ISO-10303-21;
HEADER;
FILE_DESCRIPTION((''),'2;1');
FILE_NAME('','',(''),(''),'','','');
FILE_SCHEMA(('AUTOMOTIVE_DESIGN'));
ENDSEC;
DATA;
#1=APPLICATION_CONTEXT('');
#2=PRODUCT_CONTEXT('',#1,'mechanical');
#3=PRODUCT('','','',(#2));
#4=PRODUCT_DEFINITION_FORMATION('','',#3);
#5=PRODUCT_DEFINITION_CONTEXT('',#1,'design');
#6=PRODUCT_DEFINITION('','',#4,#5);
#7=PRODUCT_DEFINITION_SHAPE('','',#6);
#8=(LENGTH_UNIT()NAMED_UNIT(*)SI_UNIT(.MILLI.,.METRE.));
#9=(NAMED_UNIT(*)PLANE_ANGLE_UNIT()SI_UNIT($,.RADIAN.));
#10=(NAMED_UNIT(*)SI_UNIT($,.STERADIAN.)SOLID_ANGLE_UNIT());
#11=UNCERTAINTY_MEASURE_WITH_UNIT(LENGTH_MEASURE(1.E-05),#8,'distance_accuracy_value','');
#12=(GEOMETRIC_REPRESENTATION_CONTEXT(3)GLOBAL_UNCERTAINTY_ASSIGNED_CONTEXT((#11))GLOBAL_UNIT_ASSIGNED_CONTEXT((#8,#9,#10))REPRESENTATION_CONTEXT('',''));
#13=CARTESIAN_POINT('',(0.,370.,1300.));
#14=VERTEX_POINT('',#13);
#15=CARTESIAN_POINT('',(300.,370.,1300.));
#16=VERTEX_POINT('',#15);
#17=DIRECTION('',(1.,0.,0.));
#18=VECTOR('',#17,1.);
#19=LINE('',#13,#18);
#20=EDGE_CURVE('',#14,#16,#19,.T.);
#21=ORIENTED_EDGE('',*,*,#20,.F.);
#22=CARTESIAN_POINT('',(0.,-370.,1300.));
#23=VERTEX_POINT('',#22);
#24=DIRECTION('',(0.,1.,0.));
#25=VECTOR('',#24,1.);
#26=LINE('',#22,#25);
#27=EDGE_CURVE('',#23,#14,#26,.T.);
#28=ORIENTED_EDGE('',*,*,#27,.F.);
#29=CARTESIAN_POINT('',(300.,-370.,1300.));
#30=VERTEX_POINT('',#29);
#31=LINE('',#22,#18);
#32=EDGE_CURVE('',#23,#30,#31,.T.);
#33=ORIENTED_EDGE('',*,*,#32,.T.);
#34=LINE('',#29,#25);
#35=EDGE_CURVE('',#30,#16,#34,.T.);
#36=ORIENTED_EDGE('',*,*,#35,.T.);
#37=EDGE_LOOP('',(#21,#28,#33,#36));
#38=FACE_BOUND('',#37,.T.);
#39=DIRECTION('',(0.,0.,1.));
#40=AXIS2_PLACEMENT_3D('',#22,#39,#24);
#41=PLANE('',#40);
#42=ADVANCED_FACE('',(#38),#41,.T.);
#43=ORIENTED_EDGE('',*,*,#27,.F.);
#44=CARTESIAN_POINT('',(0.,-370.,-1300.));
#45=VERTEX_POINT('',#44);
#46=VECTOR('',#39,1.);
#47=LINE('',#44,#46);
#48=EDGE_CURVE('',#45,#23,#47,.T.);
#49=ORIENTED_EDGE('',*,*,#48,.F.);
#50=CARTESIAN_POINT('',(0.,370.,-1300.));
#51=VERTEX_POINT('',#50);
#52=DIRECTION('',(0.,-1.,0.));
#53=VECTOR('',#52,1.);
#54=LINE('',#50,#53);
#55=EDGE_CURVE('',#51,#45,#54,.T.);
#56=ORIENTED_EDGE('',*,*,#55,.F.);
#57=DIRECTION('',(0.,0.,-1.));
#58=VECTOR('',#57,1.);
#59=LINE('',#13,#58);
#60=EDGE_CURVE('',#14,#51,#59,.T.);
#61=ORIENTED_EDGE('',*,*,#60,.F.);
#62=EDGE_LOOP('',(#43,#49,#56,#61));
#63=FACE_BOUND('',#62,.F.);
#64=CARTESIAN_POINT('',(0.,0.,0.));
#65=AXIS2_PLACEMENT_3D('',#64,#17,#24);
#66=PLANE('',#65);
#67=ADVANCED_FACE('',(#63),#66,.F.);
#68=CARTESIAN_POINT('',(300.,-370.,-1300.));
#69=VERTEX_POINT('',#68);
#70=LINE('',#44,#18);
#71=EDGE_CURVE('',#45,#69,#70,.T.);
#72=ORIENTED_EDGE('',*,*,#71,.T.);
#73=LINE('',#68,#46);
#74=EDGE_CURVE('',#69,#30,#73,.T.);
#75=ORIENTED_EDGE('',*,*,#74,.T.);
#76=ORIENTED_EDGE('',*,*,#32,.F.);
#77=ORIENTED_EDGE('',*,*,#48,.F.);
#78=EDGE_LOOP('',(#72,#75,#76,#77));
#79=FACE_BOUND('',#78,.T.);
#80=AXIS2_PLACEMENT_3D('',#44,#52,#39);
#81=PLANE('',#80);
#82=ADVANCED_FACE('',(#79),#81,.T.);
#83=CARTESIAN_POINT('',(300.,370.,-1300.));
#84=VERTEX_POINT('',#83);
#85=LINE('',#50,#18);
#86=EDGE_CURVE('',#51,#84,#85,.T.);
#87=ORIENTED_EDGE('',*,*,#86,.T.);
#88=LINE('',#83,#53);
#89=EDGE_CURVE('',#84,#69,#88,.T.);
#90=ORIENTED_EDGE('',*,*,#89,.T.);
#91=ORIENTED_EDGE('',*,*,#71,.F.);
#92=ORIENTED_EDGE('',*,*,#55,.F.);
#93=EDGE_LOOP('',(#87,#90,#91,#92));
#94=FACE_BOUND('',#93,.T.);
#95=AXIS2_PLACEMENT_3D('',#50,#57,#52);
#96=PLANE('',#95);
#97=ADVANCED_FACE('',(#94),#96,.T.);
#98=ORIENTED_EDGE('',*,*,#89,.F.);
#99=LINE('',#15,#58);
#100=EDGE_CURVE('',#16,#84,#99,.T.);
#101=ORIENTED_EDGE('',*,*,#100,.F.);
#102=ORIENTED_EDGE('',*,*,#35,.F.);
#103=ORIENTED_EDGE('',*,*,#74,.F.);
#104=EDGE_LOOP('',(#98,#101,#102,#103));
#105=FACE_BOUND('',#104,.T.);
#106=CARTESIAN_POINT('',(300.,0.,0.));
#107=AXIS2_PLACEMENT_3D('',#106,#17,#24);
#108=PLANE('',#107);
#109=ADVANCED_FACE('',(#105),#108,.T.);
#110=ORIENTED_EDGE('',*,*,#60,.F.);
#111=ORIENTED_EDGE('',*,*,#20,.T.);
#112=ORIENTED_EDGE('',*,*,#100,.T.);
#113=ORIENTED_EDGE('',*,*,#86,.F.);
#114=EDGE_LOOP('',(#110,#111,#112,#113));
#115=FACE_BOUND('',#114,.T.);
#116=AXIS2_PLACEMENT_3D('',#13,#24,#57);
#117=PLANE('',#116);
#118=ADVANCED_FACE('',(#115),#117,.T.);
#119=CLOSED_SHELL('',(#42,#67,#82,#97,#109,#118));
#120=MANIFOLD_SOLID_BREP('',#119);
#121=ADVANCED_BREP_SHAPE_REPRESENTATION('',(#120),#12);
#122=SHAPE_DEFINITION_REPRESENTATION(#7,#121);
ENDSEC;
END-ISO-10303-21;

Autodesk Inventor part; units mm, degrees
ref_plane "YZ Plane" through (0, 0, 0) normal (1, 0, 0) x (0, 1, 0)
ref_plane "XZ Plane" through (0, 0, 0) normal (0, 1, 0) x (-1, 0, 0)
ref_plane "XY Plane" through (0, 0, 0) normal (0, 0, 1) x (1, 0, 0)
sketch "草图1" plane through (0, 0, 0) normal (1, 0, 0) x (0, 1, 0)
  line L0 (370, -1300) -> (-370, -1300)
  line L1 (-370, -1300) -> (-370, 1300)
  line L2 (-370, 1300) -> (370, 1300)
  line L3 (370, 1300) -> (370, -1300)
  line L4 (370, -1300) -> (-370, 1300) construction
  line L5 (-370, -1300) -> (370, 1300) construction
  point P0 (0, 0)
  dimension "d0" = 740
  dimension "d1" = 2600
extrude "拉伸1" add sketch "草图1" along normal blind 300
properties part number "cupboard"
